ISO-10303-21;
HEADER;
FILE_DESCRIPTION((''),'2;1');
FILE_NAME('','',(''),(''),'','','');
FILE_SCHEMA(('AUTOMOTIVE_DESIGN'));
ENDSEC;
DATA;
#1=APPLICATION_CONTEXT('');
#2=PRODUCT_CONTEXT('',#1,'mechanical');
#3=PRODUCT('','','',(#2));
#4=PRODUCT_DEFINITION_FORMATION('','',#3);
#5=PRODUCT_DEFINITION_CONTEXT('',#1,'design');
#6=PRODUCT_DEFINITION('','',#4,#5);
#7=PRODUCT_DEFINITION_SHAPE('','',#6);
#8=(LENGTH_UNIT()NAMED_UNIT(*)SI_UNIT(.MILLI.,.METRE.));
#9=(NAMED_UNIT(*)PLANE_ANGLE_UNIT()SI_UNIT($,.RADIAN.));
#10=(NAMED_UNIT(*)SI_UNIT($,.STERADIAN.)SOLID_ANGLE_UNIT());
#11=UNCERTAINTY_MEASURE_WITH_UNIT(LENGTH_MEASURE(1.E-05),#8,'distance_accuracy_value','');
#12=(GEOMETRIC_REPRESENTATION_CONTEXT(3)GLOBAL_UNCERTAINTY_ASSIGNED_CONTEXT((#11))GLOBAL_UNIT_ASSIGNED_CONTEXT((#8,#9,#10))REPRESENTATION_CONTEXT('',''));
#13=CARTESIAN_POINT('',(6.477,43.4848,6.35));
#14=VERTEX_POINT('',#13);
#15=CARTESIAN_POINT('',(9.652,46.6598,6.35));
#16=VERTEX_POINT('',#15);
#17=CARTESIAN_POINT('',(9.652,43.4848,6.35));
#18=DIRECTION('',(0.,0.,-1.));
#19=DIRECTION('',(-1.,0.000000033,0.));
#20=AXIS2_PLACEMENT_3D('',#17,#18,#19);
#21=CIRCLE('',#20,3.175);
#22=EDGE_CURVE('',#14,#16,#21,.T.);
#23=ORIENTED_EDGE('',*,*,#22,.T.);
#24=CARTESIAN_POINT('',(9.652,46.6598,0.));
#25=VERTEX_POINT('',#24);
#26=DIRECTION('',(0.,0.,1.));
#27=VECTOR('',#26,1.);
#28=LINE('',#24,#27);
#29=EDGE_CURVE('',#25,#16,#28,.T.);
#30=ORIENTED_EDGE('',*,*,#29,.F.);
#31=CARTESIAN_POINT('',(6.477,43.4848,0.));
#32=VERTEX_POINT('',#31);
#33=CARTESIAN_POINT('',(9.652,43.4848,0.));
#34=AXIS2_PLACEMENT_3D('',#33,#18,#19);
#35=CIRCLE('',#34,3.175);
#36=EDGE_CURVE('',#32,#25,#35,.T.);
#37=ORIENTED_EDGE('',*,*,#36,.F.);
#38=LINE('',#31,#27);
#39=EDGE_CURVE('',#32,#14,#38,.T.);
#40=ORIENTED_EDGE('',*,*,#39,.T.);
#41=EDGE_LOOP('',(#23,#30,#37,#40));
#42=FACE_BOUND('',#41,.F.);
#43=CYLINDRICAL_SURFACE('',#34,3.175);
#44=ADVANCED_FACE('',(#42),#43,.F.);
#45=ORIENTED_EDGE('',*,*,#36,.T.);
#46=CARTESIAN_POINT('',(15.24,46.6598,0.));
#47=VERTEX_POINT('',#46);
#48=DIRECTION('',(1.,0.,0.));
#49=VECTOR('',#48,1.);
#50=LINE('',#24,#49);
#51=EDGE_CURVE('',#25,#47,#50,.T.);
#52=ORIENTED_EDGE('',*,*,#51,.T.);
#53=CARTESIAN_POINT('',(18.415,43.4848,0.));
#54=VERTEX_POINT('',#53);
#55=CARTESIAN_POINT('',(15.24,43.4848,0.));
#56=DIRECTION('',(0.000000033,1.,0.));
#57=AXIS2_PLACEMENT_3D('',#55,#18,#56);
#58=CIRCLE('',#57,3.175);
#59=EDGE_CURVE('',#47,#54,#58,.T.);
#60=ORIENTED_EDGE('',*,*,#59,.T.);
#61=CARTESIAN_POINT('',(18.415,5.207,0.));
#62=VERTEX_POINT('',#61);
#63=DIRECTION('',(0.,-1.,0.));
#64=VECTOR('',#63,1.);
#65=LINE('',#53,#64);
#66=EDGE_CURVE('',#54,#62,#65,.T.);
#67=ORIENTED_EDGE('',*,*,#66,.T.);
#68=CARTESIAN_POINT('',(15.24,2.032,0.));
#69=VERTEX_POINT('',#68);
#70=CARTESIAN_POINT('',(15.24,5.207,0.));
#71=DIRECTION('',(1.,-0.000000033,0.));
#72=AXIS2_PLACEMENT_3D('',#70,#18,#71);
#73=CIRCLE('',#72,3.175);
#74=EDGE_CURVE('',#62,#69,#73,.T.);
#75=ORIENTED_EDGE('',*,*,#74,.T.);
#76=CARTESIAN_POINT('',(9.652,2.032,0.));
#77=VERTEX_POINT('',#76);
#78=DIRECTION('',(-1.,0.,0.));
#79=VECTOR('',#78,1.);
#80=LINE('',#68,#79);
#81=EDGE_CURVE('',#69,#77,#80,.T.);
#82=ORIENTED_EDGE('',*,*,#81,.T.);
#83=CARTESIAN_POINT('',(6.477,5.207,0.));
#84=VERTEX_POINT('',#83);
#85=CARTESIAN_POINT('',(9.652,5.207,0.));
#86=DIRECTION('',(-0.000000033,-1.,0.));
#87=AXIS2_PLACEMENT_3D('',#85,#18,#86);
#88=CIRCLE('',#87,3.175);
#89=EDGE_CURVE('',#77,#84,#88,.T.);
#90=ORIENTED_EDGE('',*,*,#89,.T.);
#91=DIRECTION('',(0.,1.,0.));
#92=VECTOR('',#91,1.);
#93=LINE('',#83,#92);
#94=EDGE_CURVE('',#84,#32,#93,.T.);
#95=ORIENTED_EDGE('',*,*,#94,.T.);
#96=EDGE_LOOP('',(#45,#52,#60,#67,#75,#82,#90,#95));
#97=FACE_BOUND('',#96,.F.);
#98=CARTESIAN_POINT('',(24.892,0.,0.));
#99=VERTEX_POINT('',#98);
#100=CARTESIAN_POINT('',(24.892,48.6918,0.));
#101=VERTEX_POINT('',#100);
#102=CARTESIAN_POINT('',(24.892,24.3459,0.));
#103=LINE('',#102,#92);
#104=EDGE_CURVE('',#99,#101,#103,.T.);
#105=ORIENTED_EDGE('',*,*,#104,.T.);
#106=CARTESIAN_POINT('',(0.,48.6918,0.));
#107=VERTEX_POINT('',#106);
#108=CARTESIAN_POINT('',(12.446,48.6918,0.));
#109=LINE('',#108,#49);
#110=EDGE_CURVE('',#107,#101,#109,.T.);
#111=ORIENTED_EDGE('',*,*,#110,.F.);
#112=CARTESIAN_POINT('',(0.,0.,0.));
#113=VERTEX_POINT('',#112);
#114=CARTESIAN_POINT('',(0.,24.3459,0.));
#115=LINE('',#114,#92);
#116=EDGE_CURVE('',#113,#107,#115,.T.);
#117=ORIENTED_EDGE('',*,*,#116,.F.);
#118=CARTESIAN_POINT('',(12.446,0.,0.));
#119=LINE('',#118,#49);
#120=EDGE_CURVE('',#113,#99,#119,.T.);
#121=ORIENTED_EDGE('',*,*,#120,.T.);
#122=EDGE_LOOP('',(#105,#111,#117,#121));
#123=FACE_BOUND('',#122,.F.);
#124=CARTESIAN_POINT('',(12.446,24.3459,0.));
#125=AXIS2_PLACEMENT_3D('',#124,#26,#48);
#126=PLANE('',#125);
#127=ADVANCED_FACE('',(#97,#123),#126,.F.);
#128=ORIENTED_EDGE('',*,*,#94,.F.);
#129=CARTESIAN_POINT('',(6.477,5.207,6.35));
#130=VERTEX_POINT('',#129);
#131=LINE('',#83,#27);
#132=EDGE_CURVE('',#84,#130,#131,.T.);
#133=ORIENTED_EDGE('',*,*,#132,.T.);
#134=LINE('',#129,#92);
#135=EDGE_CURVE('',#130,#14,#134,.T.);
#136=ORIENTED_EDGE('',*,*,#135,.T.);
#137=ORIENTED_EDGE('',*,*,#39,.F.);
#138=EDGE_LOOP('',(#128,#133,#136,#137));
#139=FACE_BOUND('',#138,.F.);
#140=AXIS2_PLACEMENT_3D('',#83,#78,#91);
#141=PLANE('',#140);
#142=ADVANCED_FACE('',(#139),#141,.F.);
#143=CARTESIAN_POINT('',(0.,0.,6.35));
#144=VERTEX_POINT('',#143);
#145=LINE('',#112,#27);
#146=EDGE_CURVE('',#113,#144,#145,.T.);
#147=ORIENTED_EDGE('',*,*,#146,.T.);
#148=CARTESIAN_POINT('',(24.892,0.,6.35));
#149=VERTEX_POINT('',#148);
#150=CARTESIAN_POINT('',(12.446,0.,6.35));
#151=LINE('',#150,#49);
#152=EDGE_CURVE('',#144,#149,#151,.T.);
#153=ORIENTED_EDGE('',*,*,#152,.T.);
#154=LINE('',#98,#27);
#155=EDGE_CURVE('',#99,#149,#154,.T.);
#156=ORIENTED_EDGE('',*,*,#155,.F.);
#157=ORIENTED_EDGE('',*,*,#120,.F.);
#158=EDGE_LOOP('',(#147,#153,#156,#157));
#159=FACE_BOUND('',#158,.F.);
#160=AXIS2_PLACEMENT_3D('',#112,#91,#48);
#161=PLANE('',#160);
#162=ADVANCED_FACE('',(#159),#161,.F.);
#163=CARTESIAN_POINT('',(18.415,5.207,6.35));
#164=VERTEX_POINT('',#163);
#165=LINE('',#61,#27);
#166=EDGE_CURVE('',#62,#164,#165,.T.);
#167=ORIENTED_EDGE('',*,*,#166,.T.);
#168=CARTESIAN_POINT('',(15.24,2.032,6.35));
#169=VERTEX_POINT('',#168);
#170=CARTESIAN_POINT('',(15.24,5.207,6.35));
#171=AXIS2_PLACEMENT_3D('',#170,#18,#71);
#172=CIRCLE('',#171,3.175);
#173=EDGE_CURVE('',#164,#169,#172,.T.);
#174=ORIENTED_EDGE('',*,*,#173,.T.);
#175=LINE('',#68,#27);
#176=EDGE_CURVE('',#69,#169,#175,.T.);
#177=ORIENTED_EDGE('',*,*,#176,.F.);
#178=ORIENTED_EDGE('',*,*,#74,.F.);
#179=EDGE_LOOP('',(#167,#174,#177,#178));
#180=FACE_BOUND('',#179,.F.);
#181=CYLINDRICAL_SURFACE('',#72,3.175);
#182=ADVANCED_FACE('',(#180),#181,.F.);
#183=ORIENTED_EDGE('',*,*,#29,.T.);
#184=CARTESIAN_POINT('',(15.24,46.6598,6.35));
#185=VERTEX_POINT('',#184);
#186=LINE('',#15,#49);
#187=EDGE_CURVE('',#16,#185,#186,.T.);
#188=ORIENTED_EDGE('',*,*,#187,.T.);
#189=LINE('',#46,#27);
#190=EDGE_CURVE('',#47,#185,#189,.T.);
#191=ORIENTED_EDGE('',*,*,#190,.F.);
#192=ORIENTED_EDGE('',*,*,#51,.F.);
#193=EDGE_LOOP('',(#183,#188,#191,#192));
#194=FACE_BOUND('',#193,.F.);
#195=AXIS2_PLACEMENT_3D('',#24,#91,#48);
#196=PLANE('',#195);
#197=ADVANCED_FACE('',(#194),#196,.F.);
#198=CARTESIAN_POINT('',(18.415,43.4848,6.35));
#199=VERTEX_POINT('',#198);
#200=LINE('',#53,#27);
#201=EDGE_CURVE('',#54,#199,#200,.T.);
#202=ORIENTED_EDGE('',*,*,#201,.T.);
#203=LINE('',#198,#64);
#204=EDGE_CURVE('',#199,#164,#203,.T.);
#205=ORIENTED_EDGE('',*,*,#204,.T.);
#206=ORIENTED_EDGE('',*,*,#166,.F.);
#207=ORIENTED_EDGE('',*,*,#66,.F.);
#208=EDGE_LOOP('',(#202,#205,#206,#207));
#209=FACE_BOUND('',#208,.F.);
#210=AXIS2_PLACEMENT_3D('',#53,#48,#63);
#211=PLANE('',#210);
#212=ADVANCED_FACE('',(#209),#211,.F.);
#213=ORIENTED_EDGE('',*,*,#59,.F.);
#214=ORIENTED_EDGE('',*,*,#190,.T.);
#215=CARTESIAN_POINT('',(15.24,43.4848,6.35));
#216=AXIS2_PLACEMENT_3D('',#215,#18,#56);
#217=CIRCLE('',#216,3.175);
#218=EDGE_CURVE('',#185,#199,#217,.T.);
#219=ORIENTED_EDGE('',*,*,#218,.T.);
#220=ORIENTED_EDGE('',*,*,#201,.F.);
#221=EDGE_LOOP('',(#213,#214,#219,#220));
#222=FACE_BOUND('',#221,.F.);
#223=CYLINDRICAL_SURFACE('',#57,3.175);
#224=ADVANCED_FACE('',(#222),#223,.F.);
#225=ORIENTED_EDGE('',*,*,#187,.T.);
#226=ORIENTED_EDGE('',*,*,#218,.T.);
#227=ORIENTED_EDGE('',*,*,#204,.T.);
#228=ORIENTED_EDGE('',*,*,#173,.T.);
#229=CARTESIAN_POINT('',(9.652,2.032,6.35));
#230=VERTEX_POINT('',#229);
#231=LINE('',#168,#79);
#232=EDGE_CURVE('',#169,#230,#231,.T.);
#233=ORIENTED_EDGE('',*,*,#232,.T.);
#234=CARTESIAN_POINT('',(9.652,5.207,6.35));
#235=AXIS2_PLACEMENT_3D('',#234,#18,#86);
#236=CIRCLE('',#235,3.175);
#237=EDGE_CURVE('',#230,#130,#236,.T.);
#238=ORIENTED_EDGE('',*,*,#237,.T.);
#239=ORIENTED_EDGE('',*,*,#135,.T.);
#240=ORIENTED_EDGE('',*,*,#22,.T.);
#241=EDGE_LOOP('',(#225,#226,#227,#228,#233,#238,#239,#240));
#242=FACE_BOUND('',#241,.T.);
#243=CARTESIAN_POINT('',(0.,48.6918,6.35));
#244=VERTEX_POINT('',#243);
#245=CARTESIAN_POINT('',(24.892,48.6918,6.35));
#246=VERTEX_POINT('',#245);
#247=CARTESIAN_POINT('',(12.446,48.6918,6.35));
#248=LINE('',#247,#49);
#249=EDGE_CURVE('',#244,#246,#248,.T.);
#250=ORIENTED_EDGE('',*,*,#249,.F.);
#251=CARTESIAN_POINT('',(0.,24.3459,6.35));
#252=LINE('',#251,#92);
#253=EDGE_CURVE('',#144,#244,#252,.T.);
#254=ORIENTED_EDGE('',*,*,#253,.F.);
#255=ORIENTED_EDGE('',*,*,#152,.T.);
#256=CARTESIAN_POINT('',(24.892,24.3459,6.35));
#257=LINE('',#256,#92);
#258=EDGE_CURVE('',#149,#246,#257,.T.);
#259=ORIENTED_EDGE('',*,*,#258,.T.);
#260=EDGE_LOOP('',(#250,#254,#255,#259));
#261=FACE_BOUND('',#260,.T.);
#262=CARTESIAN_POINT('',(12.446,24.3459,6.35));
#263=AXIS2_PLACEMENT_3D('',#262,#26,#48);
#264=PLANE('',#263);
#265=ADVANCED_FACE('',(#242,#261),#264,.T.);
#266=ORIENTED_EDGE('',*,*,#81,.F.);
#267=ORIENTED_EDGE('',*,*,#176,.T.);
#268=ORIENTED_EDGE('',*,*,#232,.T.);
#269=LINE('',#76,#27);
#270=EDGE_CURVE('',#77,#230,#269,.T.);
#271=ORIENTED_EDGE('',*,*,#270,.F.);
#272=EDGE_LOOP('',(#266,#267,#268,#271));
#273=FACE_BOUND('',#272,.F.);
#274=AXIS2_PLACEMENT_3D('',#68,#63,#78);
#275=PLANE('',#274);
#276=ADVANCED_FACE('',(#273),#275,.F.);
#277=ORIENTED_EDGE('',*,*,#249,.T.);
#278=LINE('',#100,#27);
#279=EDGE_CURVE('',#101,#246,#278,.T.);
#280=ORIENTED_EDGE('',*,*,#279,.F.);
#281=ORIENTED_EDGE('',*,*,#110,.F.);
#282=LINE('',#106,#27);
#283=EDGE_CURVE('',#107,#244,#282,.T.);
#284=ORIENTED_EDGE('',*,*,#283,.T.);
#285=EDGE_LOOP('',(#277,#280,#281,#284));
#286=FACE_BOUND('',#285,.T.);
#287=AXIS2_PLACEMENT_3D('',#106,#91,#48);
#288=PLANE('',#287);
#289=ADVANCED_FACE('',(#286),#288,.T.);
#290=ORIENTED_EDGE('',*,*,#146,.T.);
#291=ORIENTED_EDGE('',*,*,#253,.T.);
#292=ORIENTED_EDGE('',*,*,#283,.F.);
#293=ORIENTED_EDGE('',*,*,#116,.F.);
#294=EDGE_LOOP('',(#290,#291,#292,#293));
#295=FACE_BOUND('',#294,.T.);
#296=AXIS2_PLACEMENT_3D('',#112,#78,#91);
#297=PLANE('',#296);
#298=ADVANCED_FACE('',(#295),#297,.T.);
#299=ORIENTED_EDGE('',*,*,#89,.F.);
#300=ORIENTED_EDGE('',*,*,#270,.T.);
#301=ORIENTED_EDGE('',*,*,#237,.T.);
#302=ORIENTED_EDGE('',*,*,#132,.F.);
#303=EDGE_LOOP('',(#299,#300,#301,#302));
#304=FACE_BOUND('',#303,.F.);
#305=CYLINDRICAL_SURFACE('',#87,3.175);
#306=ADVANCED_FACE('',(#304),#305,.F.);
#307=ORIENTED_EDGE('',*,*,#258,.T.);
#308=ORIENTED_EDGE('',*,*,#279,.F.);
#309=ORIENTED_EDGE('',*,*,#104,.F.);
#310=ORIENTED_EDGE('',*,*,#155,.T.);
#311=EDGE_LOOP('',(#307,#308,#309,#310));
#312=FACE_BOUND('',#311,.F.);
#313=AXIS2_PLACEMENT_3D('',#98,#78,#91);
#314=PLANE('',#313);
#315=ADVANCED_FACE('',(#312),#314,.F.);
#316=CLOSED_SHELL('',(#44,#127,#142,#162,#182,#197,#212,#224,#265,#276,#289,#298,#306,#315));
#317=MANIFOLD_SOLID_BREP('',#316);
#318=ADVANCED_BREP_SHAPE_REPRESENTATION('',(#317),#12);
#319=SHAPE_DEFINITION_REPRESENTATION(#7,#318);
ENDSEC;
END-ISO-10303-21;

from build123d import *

# Parameters (mm, degrees)
F0_W     = 24.892
F0_H     = 48.6918
F1_DEPTH = 6.35


with BuildPart() as f1:
    # F0 (on Top) → F1 (new body)
    with BuildSketch(Plane.XY):
        with Locations((12.446, 24.3459)):
            Rectangle(F0_W, F0_H)
        with BuildLine():
            ThreePointArc((6.477, 43.4848), (7.406936, 45.729864), (9.652, 46.6598))
            Line((9.652, 46.6598), (15.24, 46.6598))
            ThreePointArc((15.24, 46.6598), (17.485064, 45.729864), (18.415, 43.4848))
            Line((18.415, 43.4848), (18.415, 5.207))
            ThreePointArc((18.415, 5.207), (17.485064, 2.961936), (15.24, 2.032))
            Line((15.24, 2.032), (9.652, 2.032))
            ThreePointArc((9.652, 2.032), (7.406936, 2.961936), (6.477, 5.207))
            Line((6.477, 5.207), (6.477, 43.4848))
        make_face(mode=Mode.SUBTRACT)
    extrude(amount=F1_DEPTH)


solid = f1.part
